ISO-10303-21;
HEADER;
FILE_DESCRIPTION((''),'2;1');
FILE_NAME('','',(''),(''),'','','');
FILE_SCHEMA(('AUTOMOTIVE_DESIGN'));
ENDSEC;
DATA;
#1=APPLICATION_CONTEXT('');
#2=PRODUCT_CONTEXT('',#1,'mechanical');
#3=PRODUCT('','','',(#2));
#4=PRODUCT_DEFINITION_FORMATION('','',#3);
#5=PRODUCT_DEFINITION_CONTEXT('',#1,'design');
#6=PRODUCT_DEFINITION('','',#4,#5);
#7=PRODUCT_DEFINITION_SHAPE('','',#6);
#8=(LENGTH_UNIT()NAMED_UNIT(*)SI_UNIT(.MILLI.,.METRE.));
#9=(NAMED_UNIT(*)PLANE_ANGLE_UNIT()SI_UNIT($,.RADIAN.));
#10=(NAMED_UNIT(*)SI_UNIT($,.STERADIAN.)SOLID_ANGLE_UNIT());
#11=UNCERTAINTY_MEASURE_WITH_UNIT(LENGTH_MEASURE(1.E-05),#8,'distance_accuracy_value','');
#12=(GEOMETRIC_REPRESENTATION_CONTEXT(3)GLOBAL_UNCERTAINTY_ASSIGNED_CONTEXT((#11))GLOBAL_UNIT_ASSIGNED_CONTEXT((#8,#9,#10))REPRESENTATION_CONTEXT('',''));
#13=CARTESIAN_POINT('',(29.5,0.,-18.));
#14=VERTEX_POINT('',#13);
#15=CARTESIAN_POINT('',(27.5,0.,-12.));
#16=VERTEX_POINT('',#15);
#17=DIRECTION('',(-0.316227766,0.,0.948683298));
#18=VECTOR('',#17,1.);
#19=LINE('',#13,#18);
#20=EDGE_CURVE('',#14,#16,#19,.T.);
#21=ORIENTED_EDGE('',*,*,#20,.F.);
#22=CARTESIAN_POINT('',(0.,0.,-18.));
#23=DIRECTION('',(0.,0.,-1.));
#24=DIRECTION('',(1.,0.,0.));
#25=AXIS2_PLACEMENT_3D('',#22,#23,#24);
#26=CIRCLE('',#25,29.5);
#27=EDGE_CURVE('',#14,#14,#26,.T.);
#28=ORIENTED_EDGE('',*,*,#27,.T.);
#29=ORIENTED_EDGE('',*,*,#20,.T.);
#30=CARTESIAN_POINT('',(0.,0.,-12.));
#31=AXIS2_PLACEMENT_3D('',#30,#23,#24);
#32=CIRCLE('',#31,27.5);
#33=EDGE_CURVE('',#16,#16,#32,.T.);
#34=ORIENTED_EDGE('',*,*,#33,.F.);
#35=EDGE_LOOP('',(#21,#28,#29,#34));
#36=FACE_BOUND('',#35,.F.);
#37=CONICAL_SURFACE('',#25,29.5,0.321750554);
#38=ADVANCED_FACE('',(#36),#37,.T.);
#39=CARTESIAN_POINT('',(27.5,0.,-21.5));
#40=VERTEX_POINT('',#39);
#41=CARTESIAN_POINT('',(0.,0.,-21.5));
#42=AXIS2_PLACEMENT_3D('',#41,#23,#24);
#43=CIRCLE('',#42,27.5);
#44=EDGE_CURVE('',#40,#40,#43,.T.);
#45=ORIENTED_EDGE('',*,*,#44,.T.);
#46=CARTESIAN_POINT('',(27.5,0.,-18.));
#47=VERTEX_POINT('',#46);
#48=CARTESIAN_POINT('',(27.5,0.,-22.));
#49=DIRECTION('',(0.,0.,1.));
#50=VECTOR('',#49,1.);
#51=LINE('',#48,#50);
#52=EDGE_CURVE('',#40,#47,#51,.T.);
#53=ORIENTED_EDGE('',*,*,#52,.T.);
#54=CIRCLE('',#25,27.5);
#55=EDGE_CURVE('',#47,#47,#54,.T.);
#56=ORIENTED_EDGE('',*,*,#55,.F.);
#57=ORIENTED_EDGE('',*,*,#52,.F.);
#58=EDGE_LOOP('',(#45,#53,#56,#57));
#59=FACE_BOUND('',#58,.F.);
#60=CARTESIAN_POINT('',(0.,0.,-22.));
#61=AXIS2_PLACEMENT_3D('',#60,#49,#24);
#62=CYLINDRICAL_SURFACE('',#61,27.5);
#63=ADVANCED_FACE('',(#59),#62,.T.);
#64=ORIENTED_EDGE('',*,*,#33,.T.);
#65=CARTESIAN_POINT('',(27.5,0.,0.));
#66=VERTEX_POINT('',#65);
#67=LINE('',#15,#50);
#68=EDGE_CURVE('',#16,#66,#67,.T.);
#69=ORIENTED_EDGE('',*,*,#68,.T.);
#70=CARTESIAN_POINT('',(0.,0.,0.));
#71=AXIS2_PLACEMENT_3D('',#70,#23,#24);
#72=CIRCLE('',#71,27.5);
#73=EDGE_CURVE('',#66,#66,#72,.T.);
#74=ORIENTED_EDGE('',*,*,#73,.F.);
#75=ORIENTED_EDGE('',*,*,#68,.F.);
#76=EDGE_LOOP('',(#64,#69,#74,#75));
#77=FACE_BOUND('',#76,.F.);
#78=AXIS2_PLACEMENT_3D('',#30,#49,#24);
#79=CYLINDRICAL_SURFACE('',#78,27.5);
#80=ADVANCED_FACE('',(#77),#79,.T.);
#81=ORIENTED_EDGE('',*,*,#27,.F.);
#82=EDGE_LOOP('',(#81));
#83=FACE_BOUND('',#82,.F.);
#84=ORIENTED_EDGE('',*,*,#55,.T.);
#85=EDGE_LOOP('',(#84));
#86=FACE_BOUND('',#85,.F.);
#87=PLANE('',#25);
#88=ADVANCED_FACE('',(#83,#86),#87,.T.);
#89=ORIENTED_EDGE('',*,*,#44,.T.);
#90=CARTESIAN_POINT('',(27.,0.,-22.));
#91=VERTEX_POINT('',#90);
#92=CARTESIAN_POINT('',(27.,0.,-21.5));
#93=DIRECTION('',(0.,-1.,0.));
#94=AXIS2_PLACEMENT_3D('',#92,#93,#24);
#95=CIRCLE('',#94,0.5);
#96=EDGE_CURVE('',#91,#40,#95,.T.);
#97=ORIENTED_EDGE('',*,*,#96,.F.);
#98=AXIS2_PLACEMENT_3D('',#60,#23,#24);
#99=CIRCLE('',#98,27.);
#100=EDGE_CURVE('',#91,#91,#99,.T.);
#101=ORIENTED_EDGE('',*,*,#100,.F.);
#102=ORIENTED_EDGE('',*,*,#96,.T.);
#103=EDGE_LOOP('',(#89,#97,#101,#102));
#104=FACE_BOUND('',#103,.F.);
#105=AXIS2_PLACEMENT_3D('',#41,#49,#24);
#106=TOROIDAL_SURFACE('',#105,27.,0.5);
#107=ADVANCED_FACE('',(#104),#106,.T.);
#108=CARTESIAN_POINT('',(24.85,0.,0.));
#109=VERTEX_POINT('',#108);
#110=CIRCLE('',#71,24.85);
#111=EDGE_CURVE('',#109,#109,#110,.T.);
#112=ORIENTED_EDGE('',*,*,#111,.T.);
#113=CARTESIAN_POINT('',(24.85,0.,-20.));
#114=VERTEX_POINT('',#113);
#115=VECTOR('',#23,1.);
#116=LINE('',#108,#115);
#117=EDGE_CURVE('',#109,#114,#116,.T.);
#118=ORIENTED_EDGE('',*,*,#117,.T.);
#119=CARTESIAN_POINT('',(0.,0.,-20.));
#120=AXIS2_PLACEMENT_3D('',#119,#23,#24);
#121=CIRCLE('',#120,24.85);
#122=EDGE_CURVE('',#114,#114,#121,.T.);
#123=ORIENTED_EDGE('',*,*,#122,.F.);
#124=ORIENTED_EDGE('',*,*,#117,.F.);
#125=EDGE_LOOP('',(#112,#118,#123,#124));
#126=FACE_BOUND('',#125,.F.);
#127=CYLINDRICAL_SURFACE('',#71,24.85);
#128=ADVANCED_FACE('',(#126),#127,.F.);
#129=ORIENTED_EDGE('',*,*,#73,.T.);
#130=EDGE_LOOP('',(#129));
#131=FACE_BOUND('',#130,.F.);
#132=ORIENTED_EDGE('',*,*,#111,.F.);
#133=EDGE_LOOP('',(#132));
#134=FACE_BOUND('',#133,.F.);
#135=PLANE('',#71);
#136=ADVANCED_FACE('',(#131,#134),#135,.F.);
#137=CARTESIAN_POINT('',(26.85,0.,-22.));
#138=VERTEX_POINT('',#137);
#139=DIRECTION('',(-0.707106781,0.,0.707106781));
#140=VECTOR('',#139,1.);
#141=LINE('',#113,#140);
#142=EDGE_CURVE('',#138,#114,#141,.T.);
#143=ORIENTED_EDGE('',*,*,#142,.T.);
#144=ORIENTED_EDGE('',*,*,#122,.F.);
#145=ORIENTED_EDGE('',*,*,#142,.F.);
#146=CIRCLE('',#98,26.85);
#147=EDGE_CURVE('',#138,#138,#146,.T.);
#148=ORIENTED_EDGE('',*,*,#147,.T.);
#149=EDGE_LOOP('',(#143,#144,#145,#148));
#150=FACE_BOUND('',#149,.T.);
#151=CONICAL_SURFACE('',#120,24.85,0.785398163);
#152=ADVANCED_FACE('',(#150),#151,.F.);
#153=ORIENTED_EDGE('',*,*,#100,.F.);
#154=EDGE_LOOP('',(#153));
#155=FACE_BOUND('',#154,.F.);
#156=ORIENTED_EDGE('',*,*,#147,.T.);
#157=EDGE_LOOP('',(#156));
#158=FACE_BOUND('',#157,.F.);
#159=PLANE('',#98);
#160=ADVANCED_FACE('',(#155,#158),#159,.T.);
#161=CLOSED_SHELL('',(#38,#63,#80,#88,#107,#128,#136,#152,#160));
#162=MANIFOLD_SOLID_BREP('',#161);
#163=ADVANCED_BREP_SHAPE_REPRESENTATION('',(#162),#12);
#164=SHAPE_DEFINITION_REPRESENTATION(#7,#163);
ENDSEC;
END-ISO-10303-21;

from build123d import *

# Parameters (mm, degrees)
F2_R    = 0.5
F3_SIZE = 2


with BuildPart() as f1:
    # F0 (on Front) → F1 (revolve)
    with BuildSketch(Plane.XZ):
        Polygon((27.5, 0), (24.85, 0), (24.85, -22), (27.5, -22), (27.5, -18), (29.5, -18), (27.5, -12), align=None)
    revolve(axis=Axis((0, 0, -6.186577), (0, 0, -1)))

    # F2
    f2_edges = [f1.edges().sort_by_distance(p)[0] for p in [
        (-27.5, 0, -22),
    ]]
    fillet(f2_edges, radius=F2_R)

    # F3
    f3_edges = [f1.edges().sort_by_distance(p)[0] for p in [
        (-24.85, 0, -22),
    ]]
    chamfer(f3_edges, length=F3_SIZE)


solid = f1.part
